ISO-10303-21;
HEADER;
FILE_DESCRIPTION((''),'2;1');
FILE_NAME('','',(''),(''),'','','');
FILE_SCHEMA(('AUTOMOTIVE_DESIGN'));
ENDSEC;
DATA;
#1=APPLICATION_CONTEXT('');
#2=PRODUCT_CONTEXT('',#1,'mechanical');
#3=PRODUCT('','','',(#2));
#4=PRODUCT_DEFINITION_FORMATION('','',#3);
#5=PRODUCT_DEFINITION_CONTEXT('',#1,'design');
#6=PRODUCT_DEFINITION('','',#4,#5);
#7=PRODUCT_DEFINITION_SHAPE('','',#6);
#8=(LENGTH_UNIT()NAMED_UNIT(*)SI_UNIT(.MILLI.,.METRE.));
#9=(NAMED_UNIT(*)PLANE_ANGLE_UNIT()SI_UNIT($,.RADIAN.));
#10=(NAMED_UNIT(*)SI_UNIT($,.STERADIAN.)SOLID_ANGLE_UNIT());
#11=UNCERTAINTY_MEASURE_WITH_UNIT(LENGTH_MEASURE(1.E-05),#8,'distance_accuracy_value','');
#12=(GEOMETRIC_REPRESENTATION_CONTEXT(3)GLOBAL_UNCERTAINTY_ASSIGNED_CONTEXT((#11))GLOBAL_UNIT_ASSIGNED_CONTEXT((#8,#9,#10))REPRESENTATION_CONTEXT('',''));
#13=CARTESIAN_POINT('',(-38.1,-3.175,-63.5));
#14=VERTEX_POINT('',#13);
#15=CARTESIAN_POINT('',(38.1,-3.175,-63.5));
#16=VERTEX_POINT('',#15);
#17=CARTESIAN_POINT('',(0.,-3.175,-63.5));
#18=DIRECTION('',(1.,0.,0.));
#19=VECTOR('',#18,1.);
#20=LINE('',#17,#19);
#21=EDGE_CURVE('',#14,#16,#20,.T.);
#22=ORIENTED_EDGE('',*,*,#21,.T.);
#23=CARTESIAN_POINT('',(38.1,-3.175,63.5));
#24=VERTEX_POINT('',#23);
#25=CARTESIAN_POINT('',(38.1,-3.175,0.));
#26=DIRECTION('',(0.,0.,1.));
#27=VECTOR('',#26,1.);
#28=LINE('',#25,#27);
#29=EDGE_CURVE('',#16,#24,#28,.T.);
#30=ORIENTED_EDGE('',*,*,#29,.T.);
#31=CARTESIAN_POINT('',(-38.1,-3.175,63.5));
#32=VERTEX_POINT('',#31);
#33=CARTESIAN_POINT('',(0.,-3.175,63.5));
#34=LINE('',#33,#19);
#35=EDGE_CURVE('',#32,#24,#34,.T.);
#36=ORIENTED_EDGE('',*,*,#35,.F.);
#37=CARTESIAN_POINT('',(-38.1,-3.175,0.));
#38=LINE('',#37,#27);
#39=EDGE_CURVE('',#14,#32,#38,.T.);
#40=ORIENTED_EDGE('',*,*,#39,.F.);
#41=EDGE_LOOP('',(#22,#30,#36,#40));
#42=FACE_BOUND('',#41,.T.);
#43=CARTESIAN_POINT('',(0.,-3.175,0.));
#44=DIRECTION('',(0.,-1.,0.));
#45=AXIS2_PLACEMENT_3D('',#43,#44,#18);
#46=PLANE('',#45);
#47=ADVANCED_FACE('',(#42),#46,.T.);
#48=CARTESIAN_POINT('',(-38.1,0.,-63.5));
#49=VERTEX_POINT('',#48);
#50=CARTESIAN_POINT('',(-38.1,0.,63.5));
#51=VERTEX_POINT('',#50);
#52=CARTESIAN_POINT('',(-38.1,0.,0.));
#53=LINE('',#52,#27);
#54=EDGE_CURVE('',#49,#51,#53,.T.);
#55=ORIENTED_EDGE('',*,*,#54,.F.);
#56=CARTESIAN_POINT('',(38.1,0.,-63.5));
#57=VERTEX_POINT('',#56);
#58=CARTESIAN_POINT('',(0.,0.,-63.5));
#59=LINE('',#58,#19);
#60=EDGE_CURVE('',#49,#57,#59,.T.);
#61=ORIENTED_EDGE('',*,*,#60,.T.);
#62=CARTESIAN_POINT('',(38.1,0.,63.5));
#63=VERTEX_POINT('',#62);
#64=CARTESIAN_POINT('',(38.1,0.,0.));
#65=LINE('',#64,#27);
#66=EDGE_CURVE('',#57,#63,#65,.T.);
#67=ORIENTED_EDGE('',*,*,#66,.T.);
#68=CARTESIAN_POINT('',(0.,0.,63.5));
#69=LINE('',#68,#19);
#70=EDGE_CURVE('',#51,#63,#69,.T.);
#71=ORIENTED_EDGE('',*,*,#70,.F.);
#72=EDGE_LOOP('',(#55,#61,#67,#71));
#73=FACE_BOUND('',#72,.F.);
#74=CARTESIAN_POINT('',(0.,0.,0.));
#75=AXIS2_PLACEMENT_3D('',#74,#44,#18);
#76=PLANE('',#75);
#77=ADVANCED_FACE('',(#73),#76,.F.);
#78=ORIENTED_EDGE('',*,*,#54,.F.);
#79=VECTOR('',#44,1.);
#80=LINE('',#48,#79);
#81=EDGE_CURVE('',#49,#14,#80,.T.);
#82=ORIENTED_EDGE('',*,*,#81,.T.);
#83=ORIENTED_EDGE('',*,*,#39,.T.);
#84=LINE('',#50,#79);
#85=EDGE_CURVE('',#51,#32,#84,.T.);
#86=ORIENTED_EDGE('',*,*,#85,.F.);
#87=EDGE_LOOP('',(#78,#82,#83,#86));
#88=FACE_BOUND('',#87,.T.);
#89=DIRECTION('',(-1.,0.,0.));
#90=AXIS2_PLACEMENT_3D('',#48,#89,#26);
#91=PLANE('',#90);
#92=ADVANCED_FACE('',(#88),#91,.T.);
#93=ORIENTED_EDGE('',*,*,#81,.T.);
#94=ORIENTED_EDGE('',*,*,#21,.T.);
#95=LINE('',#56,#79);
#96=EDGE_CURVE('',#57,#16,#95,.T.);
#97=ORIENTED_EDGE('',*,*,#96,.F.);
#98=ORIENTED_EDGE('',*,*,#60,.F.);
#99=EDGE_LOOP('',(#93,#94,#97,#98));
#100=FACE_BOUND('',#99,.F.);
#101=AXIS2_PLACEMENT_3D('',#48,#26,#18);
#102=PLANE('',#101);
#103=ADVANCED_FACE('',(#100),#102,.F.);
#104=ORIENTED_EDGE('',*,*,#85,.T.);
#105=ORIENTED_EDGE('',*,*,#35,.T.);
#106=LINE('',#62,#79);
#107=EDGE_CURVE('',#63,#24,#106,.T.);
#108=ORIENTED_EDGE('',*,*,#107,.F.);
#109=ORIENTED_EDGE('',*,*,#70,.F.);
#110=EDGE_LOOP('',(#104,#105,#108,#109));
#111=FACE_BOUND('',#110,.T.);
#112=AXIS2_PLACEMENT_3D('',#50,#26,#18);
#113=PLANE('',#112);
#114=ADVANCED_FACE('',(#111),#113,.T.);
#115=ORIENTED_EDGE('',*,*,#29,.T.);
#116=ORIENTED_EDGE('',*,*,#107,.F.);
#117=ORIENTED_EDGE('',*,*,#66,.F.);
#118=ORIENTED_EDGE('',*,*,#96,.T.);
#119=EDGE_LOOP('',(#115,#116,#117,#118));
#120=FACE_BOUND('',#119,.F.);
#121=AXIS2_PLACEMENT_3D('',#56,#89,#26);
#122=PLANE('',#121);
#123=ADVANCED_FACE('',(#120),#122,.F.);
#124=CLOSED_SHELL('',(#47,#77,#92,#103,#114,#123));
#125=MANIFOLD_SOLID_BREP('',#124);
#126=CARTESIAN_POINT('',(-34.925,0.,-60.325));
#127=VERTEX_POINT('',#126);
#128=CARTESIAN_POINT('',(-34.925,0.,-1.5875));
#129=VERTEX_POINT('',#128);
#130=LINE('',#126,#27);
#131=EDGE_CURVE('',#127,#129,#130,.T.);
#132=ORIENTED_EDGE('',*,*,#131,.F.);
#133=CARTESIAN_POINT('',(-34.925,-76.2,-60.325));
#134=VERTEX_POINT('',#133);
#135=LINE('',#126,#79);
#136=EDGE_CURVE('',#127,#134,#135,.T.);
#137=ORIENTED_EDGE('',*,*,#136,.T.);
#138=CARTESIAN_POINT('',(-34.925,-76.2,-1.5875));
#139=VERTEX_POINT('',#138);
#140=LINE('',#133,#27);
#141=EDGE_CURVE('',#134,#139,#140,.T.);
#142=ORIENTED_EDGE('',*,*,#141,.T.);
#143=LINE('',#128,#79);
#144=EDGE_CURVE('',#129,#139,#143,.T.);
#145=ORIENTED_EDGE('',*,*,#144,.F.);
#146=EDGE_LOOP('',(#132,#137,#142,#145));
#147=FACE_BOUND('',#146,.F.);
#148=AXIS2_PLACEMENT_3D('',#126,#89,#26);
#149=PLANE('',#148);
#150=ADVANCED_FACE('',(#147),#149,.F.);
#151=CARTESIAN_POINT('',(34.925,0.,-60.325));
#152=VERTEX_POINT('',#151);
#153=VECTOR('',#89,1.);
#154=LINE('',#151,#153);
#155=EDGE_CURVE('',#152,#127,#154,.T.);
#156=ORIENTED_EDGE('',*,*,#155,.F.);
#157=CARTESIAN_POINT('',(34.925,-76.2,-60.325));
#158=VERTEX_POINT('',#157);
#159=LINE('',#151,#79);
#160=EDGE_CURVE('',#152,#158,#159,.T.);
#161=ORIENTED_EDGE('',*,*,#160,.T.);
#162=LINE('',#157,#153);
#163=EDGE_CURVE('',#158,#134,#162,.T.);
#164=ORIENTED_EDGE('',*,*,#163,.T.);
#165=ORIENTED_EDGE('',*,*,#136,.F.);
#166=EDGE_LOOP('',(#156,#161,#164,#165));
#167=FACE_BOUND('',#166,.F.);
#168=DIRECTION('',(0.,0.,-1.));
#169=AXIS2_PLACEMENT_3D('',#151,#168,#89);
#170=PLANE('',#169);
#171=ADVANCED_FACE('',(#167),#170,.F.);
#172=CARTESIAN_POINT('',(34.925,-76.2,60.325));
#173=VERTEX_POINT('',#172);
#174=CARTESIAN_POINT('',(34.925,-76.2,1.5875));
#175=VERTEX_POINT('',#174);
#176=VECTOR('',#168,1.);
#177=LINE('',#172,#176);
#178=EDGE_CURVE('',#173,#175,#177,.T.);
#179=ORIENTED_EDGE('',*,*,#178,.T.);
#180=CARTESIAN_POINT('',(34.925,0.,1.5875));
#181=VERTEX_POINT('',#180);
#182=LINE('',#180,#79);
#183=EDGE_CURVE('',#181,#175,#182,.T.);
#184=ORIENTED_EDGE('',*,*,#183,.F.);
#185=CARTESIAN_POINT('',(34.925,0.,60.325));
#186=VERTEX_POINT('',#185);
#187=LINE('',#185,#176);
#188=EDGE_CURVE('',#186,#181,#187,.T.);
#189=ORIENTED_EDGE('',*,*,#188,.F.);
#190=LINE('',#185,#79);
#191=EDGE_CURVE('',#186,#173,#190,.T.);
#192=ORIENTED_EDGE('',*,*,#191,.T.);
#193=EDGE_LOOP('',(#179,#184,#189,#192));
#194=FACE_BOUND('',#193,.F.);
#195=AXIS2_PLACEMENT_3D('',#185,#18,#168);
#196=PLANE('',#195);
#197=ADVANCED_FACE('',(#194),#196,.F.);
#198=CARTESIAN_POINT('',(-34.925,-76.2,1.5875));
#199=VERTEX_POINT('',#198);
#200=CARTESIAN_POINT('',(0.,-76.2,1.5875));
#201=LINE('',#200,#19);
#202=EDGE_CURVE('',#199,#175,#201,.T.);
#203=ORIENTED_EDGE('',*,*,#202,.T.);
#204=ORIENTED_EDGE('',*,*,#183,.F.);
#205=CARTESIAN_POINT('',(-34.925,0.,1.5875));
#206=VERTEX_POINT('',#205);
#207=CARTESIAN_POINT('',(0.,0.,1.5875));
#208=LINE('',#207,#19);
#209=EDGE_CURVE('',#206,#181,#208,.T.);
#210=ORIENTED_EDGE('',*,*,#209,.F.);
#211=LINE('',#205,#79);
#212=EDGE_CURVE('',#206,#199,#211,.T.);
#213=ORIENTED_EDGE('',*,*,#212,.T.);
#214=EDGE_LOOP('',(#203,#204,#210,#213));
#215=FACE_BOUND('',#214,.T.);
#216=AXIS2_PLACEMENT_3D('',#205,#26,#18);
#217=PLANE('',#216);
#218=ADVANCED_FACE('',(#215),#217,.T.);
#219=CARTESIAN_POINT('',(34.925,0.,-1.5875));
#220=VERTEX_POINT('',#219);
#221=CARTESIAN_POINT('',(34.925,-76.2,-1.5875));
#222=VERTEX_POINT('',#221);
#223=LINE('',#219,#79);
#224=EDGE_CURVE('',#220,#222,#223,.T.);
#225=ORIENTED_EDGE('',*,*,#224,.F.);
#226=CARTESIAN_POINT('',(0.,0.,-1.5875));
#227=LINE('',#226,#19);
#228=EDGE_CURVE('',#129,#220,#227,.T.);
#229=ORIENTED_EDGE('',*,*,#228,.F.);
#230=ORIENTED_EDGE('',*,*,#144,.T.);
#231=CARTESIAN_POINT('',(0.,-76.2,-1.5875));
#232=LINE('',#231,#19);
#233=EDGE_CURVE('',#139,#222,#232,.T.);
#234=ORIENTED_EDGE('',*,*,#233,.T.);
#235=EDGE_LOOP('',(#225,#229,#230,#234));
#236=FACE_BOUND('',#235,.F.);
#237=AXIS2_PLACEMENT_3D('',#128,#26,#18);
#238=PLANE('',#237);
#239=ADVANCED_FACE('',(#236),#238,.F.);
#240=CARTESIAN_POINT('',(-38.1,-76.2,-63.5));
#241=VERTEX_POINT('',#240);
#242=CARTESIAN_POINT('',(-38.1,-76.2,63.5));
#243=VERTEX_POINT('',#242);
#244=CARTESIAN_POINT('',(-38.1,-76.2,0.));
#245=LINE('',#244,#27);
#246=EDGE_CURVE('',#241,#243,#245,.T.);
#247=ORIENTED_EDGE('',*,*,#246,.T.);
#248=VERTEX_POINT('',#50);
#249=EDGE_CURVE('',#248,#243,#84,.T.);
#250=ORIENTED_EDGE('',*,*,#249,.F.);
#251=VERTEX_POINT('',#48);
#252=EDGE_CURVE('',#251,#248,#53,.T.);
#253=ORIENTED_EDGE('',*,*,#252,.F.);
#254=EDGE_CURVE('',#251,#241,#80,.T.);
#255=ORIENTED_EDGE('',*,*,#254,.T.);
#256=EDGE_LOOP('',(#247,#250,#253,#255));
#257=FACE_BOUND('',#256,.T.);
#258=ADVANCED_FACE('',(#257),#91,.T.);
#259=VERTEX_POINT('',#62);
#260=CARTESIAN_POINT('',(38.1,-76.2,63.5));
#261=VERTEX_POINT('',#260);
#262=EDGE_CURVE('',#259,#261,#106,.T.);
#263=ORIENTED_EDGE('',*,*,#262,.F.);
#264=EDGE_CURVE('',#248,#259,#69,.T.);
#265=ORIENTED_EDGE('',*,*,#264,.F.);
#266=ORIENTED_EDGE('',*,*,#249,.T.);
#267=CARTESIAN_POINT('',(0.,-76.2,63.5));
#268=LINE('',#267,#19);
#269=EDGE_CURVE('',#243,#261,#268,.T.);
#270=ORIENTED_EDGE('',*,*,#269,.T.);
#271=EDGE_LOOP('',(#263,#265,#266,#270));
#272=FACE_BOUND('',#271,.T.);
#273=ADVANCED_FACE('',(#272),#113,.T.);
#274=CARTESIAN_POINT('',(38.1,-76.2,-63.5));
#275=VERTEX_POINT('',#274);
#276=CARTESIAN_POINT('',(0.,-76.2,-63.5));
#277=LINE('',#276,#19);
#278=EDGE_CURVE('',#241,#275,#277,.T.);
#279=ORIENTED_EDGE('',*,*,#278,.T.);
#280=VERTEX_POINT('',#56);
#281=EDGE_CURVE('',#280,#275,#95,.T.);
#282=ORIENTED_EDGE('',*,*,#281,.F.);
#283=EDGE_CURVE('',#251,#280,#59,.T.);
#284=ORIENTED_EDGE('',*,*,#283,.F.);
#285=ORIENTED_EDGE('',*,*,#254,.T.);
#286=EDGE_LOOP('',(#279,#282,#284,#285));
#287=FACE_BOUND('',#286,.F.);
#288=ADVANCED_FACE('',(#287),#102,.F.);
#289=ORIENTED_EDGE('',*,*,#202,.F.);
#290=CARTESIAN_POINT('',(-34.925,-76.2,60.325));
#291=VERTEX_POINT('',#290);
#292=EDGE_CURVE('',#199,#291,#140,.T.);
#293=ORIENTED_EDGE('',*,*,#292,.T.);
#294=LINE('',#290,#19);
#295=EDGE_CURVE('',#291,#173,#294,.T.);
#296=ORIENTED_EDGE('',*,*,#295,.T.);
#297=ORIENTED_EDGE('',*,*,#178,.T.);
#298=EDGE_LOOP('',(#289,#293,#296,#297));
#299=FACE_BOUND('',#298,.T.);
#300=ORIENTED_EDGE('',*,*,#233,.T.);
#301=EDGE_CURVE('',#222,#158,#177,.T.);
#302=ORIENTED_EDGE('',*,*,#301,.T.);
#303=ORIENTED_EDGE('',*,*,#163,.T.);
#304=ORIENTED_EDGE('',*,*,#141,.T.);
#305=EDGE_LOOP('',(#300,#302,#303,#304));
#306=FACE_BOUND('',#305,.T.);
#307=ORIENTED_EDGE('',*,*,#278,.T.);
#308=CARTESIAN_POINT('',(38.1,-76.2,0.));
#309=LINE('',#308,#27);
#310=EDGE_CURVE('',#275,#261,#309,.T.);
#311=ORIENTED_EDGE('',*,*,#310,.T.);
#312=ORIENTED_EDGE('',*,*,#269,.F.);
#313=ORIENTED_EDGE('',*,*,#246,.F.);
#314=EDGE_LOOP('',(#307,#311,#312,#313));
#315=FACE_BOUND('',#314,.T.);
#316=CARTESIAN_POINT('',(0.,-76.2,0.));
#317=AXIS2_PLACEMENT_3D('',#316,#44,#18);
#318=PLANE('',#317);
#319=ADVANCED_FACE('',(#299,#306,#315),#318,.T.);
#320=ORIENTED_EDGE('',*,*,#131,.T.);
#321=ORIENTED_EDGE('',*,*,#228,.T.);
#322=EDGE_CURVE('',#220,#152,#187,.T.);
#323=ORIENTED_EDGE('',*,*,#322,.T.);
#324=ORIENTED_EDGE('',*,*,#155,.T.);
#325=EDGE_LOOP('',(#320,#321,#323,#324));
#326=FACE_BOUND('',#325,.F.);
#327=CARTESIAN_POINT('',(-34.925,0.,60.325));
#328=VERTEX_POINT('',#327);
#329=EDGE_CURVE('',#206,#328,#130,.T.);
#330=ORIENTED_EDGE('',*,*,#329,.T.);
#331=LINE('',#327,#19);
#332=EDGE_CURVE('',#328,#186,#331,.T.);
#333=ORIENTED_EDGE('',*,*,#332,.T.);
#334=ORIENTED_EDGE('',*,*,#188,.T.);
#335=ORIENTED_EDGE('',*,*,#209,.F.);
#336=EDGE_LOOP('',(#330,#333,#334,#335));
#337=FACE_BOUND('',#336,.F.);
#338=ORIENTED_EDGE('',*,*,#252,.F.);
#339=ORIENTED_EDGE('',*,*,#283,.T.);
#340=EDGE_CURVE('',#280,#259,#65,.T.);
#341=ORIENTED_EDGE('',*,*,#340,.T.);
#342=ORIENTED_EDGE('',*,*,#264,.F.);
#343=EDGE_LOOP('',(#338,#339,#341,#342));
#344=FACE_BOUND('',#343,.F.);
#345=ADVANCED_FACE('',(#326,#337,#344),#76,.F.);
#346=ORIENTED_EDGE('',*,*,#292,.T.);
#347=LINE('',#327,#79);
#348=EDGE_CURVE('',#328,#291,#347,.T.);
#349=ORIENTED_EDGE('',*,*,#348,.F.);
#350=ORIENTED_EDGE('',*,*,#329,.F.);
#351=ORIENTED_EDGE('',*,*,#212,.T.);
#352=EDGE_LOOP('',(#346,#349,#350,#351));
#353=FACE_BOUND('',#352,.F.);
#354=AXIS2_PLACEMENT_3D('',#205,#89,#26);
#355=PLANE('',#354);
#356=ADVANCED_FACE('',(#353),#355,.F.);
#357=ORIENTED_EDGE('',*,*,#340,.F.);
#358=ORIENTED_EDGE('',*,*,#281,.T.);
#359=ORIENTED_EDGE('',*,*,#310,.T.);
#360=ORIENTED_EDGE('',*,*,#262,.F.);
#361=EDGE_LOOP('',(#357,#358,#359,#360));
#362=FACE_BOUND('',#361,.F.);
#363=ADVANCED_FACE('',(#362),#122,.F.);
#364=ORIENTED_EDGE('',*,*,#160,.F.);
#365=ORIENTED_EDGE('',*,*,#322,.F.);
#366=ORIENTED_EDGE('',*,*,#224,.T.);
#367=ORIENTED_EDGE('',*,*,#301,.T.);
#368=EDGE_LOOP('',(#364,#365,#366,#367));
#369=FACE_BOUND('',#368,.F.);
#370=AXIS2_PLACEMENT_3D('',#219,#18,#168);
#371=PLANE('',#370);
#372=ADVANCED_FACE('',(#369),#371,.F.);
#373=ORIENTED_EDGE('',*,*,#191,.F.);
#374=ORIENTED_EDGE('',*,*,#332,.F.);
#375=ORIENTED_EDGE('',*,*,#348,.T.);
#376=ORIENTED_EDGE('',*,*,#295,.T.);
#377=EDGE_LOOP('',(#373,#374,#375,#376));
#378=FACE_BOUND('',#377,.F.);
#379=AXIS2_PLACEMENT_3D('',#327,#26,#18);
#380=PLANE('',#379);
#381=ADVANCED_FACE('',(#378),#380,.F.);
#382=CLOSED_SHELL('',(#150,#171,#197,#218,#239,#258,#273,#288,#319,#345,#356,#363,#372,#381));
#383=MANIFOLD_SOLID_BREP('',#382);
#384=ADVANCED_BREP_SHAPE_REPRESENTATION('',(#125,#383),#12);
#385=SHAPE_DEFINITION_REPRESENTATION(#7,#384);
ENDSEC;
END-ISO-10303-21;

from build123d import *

# Parameters (mm, degrees)
F0_W     = 76.2
F0_H     = 127
F0_W_2   = 69.85
F0_H_2   = 3.175
F0_H_3   = 58.7375
F1_DEPTH = 3.175
F2_DEPTH = 76.2


with BuildPart() as f1:
    # F0 (on Front) → F1 (new body)
    with BuildSketch(Plane.XZ):
        Rectangle(F0_W, F0_H)
        Polygon((34.925, -60.325), (-34.925, -60.325), (-34.925, -1.5875), (-34.925, 1.5875), (-34.925, 60.325), (34.925, 60.325), (34.925, 1.5875), (34.925, -1.5875), align=None, mode=Mode.SUBTRACT)
        Rectangle(F0_W_2, F0_H_2)
        with Locations((0, 30.95625)):
            Rectangle(F0_W_2, F0_H_3)
        with Locations((0, -30.95625)):
            Rectangle(F0_W_2, F0_H_3)
    extrude(amount=F1_DEPTH)


with BuildPart() as f2:
    # F0 (on Front) → F2 (new body)
    with BuildSketch(Plane.XZ):
        Rectangle(F0_W, F0_H)
        Polygon((34.925, -60.325), (-34.925, -60.325), (-34.925, -1.5875), (-34.925, 1.5875), (-34.925, 60.325), (34.925, 60.325), (34.925, 1.5875), (34.925, -1.5875), align=None, mode=Mode.SUBTRACT)
        Rectangle(F0_W_2, F0_H_2)
    extrude(amount=F2_DEPTH)


solid = Compound([f1.part, f2.part])
